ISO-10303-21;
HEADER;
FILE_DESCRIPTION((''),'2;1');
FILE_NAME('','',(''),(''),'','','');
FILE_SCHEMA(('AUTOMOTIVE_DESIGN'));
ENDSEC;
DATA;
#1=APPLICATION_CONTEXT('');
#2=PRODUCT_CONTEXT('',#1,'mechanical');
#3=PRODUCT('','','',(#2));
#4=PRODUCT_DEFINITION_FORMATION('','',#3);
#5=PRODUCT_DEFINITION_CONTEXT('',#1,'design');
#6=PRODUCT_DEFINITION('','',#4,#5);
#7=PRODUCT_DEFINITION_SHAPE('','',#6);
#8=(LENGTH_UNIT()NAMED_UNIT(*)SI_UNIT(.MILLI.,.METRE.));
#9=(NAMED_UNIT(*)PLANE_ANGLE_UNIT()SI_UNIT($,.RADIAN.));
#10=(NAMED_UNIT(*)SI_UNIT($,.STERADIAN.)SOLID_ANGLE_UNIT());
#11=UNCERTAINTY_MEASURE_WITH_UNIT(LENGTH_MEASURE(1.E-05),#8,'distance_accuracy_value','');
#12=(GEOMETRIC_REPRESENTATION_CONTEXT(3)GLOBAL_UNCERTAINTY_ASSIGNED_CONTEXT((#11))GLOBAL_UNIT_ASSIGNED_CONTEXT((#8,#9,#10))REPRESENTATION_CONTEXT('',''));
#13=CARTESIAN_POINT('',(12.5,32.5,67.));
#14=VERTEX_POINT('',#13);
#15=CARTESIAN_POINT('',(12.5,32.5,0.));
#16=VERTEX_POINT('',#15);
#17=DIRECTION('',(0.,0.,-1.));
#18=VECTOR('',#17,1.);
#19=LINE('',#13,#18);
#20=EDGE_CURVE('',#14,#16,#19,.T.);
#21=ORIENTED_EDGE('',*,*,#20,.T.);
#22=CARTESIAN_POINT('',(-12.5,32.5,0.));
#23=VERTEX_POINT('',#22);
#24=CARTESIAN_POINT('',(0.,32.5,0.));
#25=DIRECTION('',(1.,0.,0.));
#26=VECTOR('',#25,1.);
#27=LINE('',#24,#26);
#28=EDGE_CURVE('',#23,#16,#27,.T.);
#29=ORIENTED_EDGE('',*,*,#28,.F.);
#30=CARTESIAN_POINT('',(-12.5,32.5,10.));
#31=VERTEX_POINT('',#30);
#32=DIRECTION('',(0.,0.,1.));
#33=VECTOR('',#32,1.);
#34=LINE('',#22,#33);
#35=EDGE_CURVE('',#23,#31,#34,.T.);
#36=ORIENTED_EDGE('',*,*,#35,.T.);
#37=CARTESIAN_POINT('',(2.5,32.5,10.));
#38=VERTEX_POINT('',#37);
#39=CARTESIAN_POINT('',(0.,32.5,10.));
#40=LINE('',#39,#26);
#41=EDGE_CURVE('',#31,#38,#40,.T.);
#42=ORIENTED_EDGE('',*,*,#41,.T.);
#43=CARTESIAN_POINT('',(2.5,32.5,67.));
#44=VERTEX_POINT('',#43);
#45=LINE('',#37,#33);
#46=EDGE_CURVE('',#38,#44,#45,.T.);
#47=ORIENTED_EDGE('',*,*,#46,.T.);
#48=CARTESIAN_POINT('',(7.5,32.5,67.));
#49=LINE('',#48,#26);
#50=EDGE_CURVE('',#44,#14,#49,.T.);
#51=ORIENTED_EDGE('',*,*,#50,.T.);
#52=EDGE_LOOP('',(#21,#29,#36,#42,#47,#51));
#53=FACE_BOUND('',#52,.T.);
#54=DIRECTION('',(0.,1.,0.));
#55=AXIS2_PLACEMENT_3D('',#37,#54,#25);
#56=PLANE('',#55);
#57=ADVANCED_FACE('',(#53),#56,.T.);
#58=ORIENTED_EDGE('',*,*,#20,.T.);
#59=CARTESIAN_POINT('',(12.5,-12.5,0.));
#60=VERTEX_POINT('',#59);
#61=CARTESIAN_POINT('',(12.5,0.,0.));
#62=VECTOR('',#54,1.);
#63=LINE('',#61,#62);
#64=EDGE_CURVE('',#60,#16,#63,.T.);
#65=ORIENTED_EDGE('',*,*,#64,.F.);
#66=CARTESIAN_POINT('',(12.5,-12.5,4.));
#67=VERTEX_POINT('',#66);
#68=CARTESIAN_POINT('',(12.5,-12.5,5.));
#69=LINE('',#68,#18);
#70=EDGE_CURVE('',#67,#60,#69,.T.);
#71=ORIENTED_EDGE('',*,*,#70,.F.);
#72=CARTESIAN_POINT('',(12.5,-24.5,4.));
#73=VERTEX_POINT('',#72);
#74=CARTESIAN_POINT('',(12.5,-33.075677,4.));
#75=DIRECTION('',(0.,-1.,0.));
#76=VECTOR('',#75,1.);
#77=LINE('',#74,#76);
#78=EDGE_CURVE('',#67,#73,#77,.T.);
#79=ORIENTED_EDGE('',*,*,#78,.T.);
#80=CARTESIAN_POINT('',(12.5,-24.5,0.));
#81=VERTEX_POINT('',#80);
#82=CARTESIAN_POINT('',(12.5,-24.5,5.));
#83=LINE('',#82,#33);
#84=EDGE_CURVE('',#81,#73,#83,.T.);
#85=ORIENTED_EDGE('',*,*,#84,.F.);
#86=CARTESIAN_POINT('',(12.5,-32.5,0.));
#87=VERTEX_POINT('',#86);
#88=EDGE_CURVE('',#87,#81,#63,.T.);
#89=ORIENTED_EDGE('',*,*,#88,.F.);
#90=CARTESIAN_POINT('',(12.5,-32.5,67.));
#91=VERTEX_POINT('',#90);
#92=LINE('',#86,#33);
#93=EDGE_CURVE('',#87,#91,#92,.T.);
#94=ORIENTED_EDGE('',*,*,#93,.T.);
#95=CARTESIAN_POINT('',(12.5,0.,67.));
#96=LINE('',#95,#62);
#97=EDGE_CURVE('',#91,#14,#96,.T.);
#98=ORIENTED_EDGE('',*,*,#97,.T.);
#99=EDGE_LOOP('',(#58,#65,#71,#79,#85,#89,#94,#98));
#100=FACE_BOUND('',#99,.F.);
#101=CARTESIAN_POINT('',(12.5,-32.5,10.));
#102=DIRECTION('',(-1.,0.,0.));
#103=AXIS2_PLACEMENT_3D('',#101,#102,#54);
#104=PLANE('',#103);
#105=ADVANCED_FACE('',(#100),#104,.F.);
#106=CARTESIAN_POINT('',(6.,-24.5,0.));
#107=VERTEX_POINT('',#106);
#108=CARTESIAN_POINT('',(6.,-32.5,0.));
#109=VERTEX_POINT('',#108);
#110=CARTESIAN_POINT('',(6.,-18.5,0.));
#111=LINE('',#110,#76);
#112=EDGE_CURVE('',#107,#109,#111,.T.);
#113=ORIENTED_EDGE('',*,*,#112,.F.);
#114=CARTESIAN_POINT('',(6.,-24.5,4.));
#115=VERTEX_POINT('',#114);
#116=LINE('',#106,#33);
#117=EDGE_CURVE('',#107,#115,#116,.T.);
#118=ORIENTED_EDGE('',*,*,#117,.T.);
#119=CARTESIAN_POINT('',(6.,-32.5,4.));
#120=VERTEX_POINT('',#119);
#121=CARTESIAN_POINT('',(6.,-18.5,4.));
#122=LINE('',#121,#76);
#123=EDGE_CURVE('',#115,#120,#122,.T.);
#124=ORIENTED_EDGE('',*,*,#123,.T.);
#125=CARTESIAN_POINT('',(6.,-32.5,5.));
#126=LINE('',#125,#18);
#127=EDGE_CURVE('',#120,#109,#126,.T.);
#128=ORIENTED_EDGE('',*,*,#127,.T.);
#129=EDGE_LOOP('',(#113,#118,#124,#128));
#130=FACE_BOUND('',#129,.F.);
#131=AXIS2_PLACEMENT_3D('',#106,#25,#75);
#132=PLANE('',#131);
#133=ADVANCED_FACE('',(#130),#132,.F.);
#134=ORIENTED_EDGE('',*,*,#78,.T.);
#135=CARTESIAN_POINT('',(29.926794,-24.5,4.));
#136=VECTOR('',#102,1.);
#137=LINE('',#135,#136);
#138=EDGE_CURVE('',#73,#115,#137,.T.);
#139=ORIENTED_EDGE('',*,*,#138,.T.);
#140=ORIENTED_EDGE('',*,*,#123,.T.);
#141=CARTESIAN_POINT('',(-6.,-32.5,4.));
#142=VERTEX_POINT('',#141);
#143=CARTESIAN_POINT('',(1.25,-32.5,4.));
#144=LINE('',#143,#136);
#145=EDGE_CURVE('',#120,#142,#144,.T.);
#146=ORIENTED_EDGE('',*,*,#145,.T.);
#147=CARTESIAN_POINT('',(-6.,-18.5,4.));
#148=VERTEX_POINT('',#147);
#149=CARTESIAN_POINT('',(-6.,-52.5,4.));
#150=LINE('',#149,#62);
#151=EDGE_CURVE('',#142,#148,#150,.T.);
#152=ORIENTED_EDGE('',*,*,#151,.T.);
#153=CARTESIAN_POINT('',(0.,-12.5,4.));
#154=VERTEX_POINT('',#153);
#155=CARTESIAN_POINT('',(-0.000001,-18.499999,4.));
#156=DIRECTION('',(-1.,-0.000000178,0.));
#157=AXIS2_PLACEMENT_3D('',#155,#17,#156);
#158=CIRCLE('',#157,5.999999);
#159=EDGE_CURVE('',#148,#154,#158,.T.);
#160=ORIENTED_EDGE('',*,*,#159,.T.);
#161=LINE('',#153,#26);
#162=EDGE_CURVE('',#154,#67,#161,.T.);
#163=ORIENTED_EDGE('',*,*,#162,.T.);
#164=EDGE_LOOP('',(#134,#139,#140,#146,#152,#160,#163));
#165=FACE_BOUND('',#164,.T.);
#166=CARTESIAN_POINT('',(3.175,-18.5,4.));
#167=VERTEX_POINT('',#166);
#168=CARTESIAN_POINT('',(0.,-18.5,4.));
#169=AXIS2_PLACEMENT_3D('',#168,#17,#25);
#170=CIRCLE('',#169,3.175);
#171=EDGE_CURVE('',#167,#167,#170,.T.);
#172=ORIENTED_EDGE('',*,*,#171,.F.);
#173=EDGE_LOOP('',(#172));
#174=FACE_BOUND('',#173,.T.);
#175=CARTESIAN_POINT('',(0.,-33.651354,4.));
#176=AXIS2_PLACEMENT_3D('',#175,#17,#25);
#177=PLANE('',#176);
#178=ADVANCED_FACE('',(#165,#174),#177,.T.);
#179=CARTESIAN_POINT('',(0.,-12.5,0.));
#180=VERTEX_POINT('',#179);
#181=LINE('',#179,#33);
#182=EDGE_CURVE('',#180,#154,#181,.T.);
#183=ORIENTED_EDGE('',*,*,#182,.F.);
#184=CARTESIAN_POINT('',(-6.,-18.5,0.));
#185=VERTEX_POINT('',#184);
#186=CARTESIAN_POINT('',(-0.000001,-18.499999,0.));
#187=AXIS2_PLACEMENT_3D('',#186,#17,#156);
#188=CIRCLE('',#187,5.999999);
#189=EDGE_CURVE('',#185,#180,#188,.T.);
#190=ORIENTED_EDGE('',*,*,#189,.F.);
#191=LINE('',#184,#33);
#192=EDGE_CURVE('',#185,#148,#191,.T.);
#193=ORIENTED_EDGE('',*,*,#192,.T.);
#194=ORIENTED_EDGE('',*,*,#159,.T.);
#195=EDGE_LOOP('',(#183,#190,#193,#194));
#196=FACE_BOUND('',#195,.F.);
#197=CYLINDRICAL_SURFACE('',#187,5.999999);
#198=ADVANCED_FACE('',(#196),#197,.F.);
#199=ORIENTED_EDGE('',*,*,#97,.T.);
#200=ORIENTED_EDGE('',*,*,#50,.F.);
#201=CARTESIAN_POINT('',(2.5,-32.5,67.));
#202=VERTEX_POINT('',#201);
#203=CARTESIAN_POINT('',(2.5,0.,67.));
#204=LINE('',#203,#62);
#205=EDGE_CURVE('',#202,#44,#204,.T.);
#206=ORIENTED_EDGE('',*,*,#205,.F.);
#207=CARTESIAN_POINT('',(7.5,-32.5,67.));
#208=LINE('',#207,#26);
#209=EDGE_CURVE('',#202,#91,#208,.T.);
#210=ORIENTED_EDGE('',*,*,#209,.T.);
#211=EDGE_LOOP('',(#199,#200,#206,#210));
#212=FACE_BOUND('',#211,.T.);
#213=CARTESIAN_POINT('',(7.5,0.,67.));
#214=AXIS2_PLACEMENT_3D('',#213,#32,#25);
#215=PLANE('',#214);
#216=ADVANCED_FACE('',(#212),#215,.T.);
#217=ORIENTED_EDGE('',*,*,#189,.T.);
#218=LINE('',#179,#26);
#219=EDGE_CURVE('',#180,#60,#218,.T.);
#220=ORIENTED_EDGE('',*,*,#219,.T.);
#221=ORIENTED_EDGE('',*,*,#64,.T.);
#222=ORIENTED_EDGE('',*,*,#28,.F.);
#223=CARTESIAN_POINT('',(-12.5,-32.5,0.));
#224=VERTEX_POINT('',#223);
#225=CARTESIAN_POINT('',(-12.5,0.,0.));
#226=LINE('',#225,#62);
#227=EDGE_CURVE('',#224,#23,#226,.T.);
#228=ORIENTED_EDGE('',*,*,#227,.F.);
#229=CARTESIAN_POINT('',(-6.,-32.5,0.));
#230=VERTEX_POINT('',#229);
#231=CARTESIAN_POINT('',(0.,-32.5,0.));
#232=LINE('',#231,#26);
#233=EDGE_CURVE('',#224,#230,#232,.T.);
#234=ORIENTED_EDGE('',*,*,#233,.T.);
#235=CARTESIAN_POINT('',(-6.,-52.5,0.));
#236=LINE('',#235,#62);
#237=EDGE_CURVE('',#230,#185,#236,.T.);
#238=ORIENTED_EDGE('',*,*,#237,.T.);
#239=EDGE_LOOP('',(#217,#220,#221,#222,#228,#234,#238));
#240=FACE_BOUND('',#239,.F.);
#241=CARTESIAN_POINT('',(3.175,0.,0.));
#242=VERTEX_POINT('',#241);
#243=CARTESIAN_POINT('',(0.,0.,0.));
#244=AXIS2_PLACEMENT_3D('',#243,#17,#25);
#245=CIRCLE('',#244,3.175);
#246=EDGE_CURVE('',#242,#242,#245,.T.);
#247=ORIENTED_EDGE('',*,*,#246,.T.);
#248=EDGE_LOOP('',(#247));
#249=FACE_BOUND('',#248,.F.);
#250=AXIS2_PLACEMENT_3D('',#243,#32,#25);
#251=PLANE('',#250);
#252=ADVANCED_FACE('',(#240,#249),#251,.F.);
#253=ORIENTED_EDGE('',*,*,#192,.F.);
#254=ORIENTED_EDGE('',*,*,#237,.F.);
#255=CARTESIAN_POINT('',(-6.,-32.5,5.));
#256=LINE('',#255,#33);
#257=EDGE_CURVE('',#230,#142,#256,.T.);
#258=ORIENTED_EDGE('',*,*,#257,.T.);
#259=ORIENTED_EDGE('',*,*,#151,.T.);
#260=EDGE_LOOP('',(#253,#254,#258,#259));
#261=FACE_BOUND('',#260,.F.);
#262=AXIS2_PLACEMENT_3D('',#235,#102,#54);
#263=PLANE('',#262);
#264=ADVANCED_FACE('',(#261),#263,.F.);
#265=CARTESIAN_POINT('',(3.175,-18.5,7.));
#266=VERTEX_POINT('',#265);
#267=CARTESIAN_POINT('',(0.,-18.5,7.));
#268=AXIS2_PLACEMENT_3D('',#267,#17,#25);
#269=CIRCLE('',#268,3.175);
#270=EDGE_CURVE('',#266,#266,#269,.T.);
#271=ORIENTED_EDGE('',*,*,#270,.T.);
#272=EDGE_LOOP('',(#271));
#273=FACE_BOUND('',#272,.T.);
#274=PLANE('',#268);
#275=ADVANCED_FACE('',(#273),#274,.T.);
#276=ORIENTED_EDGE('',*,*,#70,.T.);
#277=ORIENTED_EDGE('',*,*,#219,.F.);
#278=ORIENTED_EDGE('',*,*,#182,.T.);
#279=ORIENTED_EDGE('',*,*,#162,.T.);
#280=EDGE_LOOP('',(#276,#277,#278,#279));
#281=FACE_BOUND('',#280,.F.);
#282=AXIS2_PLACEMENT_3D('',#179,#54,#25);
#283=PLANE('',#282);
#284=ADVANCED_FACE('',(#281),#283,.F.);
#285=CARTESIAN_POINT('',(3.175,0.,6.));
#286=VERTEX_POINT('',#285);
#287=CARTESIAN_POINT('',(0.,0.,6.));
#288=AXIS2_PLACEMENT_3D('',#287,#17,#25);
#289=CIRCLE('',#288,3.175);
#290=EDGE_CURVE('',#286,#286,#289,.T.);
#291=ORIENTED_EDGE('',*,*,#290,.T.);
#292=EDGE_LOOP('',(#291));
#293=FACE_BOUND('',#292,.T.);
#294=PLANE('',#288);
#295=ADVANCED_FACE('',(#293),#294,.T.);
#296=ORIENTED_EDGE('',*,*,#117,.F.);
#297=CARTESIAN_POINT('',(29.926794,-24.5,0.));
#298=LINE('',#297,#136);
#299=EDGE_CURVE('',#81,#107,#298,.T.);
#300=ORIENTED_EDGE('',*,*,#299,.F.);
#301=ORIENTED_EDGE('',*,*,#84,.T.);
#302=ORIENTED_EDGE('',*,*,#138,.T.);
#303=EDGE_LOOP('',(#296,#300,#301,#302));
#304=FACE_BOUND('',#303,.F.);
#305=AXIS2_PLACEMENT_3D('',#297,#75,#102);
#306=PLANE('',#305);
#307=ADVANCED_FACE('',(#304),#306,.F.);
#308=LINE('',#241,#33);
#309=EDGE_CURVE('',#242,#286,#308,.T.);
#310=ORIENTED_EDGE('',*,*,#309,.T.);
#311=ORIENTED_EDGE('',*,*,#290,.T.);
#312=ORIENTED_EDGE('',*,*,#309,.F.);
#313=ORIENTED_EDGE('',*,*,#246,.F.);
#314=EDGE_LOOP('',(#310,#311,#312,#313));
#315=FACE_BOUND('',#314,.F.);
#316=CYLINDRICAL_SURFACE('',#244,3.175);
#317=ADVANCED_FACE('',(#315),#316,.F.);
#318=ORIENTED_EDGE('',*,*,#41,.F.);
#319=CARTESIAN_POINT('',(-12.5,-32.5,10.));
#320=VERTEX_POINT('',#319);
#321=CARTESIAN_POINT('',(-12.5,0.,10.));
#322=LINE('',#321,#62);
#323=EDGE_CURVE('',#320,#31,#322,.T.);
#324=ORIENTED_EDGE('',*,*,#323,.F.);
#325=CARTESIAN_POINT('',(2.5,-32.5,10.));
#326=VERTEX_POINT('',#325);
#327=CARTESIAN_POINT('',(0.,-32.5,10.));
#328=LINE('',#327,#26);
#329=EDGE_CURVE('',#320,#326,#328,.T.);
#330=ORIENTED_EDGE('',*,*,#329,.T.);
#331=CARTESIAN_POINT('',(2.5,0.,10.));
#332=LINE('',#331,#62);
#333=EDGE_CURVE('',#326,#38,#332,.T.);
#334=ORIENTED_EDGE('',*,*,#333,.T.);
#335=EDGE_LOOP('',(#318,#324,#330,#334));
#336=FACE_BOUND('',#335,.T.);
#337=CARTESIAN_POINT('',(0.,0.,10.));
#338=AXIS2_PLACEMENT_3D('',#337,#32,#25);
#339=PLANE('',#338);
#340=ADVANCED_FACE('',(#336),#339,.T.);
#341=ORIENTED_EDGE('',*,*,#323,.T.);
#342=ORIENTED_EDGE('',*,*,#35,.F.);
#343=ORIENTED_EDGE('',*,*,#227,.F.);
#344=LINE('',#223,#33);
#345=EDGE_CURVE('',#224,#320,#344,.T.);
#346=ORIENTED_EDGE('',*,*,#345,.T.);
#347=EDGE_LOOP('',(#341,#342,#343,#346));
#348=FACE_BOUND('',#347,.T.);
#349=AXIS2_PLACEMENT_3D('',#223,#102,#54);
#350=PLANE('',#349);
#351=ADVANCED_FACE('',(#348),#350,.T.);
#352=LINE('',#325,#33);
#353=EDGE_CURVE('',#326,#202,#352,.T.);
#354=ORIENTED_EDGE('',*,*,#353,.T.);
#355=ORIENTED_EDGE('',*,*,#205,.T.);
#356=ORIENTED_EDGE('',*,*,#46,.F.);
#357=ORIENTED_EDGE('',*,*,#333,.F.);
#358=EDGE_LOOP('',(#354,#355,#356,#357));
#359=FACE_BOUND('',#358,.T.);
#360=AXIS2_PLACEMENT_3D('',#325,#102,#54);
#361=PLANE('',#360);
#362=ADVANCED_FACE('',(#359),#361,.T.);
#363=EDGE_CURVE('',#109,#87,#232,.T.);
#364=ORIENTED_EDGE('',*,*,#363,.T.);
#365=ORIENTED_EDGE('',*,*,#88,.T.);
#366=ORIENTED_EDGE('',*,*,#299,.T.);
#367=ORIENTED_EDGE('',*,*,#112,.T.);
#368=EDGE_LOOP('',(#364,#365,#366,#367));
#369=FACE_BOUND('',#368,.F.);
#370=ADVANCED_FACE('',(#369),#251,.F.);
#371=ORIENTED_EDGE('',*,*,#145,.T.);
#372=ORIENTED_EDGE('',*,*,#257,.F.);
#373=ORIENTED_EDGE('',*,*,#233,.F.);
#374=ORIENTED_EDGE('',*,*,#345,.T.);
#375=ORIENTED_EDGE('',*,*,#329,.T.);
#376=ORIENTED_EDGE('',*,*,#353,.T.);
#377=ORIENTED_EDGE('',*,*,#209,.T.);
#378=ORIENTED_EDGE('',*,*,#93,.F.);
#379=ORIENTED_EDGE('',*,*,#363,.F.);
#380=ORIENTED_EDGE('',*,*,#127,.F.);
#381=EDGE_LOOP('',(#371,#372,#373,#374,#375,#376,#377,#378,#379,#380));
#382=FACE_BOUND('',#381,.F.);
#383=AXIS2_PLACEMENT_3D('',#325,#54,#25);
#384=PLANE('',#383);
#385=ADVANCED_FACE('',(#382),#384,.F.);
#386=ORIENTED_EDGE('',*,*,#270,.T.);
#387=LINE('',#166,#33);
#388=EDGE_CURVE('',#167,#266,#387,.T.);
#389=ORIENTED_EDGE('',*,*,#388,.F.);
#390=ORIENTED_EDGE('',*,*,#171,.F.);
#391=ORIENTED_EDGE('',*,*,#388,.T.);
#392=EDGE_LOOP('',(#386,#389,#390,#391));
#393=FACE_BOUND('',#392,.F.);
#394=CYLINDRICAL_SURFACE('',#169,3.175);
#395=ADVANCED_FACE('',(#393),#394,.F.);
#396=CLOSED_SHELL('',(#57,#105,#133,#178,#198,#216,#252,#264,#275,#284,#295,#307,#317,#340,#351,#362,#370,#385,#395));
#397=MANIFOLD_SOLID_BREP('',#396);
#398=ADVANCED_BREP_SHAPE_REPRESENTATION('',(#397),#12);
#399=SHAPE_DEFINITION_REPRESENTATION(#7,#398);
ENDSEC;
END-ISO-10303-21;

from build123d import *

# Parameters (mm, degrees)
F0_W     = 25
F0_H     = 65
F1_DEPTH = 10
F2_W     = 10
F2_H     = 65
F3_DEPTH = 57
F4_R     = 3.175
F5_DEPTH = 6
F7_DEPTH = 4
F8_R     = 3.175
F9_DEPTH = 3


with BuildPart() as f1:
    # F0 (on Top) → F1 (new body)
    with BuildSketch(Plane.XY):
        Rectangle(F0_W, F0_H)
    extrude(amount=F1_DEPTH)

    # F2 (on face) → F3 (join)
    with BuildSketch(Plane.XY.offset(10)):
        with Locations((7.5, 0)):
            Rectangle(F2_W, F2_H)
    extrude(amount=F3_DEPTH)

    # F4 (on face) → F5 (cut)
    with BuildSketch(Plane(origin=(0, 0, 0), x_dir=(1, 0, 0), z_dir=(0, 0, -1))):
        Circle(F4_R)
    extrude(amount=-F5_DEPTH, mode=Mode.SUBTRACT)

    # F6 (on face) → F7 (cut)
    with BuildSketch(Plane(origin=(0, 0, 0), x_dir=(1, 0, 0), z_dir=(0, 0, -1))):
        with BuildLine():
            Line((6, 24.5), (6, 52.5))
            Line((6, 52.5), (-6, 52.5))
            Line((-6, 52.5), (-6, 18.5))
            ThreePointArc((-6, 18.5), (-4.242641, 14.257359), (0, 12.5))
            ThreePointArc((0, 12.5), (4.242641, 14.257359), (6, 18.5))
            Line((6, 18.5), (6, 24.5))
        make_face()
        with BuildLine():
            Line((29.926794, 24.5), (6, 24.5))
            Line((6, 24.5), (6, 18.5))
            ThreePointArc((6, 18.5), (4.242641, 14.257359), (0, 12.5))
            Line((0, 12.5), (29.926794, 12.5))
            Line((29.926794, 12.5), (29.926794, 24.5))
        make_face()
    extrude(amount=-F7_DEPTH, mode=Mode.SUBTRACT)

    # F8 (on face) → F9 (cut)
    with BuildSketch(Plane(origin=(0, 0, 4), x_dir=(1, 0, 0), z_dir=(0, 0, -1))):
        with Locations((0, 18.5)):
            Circle(F8_R)
    extrude(amount=-F9_DEPTH, mode=Mode.SUBTRACT)


solid = f1.part
